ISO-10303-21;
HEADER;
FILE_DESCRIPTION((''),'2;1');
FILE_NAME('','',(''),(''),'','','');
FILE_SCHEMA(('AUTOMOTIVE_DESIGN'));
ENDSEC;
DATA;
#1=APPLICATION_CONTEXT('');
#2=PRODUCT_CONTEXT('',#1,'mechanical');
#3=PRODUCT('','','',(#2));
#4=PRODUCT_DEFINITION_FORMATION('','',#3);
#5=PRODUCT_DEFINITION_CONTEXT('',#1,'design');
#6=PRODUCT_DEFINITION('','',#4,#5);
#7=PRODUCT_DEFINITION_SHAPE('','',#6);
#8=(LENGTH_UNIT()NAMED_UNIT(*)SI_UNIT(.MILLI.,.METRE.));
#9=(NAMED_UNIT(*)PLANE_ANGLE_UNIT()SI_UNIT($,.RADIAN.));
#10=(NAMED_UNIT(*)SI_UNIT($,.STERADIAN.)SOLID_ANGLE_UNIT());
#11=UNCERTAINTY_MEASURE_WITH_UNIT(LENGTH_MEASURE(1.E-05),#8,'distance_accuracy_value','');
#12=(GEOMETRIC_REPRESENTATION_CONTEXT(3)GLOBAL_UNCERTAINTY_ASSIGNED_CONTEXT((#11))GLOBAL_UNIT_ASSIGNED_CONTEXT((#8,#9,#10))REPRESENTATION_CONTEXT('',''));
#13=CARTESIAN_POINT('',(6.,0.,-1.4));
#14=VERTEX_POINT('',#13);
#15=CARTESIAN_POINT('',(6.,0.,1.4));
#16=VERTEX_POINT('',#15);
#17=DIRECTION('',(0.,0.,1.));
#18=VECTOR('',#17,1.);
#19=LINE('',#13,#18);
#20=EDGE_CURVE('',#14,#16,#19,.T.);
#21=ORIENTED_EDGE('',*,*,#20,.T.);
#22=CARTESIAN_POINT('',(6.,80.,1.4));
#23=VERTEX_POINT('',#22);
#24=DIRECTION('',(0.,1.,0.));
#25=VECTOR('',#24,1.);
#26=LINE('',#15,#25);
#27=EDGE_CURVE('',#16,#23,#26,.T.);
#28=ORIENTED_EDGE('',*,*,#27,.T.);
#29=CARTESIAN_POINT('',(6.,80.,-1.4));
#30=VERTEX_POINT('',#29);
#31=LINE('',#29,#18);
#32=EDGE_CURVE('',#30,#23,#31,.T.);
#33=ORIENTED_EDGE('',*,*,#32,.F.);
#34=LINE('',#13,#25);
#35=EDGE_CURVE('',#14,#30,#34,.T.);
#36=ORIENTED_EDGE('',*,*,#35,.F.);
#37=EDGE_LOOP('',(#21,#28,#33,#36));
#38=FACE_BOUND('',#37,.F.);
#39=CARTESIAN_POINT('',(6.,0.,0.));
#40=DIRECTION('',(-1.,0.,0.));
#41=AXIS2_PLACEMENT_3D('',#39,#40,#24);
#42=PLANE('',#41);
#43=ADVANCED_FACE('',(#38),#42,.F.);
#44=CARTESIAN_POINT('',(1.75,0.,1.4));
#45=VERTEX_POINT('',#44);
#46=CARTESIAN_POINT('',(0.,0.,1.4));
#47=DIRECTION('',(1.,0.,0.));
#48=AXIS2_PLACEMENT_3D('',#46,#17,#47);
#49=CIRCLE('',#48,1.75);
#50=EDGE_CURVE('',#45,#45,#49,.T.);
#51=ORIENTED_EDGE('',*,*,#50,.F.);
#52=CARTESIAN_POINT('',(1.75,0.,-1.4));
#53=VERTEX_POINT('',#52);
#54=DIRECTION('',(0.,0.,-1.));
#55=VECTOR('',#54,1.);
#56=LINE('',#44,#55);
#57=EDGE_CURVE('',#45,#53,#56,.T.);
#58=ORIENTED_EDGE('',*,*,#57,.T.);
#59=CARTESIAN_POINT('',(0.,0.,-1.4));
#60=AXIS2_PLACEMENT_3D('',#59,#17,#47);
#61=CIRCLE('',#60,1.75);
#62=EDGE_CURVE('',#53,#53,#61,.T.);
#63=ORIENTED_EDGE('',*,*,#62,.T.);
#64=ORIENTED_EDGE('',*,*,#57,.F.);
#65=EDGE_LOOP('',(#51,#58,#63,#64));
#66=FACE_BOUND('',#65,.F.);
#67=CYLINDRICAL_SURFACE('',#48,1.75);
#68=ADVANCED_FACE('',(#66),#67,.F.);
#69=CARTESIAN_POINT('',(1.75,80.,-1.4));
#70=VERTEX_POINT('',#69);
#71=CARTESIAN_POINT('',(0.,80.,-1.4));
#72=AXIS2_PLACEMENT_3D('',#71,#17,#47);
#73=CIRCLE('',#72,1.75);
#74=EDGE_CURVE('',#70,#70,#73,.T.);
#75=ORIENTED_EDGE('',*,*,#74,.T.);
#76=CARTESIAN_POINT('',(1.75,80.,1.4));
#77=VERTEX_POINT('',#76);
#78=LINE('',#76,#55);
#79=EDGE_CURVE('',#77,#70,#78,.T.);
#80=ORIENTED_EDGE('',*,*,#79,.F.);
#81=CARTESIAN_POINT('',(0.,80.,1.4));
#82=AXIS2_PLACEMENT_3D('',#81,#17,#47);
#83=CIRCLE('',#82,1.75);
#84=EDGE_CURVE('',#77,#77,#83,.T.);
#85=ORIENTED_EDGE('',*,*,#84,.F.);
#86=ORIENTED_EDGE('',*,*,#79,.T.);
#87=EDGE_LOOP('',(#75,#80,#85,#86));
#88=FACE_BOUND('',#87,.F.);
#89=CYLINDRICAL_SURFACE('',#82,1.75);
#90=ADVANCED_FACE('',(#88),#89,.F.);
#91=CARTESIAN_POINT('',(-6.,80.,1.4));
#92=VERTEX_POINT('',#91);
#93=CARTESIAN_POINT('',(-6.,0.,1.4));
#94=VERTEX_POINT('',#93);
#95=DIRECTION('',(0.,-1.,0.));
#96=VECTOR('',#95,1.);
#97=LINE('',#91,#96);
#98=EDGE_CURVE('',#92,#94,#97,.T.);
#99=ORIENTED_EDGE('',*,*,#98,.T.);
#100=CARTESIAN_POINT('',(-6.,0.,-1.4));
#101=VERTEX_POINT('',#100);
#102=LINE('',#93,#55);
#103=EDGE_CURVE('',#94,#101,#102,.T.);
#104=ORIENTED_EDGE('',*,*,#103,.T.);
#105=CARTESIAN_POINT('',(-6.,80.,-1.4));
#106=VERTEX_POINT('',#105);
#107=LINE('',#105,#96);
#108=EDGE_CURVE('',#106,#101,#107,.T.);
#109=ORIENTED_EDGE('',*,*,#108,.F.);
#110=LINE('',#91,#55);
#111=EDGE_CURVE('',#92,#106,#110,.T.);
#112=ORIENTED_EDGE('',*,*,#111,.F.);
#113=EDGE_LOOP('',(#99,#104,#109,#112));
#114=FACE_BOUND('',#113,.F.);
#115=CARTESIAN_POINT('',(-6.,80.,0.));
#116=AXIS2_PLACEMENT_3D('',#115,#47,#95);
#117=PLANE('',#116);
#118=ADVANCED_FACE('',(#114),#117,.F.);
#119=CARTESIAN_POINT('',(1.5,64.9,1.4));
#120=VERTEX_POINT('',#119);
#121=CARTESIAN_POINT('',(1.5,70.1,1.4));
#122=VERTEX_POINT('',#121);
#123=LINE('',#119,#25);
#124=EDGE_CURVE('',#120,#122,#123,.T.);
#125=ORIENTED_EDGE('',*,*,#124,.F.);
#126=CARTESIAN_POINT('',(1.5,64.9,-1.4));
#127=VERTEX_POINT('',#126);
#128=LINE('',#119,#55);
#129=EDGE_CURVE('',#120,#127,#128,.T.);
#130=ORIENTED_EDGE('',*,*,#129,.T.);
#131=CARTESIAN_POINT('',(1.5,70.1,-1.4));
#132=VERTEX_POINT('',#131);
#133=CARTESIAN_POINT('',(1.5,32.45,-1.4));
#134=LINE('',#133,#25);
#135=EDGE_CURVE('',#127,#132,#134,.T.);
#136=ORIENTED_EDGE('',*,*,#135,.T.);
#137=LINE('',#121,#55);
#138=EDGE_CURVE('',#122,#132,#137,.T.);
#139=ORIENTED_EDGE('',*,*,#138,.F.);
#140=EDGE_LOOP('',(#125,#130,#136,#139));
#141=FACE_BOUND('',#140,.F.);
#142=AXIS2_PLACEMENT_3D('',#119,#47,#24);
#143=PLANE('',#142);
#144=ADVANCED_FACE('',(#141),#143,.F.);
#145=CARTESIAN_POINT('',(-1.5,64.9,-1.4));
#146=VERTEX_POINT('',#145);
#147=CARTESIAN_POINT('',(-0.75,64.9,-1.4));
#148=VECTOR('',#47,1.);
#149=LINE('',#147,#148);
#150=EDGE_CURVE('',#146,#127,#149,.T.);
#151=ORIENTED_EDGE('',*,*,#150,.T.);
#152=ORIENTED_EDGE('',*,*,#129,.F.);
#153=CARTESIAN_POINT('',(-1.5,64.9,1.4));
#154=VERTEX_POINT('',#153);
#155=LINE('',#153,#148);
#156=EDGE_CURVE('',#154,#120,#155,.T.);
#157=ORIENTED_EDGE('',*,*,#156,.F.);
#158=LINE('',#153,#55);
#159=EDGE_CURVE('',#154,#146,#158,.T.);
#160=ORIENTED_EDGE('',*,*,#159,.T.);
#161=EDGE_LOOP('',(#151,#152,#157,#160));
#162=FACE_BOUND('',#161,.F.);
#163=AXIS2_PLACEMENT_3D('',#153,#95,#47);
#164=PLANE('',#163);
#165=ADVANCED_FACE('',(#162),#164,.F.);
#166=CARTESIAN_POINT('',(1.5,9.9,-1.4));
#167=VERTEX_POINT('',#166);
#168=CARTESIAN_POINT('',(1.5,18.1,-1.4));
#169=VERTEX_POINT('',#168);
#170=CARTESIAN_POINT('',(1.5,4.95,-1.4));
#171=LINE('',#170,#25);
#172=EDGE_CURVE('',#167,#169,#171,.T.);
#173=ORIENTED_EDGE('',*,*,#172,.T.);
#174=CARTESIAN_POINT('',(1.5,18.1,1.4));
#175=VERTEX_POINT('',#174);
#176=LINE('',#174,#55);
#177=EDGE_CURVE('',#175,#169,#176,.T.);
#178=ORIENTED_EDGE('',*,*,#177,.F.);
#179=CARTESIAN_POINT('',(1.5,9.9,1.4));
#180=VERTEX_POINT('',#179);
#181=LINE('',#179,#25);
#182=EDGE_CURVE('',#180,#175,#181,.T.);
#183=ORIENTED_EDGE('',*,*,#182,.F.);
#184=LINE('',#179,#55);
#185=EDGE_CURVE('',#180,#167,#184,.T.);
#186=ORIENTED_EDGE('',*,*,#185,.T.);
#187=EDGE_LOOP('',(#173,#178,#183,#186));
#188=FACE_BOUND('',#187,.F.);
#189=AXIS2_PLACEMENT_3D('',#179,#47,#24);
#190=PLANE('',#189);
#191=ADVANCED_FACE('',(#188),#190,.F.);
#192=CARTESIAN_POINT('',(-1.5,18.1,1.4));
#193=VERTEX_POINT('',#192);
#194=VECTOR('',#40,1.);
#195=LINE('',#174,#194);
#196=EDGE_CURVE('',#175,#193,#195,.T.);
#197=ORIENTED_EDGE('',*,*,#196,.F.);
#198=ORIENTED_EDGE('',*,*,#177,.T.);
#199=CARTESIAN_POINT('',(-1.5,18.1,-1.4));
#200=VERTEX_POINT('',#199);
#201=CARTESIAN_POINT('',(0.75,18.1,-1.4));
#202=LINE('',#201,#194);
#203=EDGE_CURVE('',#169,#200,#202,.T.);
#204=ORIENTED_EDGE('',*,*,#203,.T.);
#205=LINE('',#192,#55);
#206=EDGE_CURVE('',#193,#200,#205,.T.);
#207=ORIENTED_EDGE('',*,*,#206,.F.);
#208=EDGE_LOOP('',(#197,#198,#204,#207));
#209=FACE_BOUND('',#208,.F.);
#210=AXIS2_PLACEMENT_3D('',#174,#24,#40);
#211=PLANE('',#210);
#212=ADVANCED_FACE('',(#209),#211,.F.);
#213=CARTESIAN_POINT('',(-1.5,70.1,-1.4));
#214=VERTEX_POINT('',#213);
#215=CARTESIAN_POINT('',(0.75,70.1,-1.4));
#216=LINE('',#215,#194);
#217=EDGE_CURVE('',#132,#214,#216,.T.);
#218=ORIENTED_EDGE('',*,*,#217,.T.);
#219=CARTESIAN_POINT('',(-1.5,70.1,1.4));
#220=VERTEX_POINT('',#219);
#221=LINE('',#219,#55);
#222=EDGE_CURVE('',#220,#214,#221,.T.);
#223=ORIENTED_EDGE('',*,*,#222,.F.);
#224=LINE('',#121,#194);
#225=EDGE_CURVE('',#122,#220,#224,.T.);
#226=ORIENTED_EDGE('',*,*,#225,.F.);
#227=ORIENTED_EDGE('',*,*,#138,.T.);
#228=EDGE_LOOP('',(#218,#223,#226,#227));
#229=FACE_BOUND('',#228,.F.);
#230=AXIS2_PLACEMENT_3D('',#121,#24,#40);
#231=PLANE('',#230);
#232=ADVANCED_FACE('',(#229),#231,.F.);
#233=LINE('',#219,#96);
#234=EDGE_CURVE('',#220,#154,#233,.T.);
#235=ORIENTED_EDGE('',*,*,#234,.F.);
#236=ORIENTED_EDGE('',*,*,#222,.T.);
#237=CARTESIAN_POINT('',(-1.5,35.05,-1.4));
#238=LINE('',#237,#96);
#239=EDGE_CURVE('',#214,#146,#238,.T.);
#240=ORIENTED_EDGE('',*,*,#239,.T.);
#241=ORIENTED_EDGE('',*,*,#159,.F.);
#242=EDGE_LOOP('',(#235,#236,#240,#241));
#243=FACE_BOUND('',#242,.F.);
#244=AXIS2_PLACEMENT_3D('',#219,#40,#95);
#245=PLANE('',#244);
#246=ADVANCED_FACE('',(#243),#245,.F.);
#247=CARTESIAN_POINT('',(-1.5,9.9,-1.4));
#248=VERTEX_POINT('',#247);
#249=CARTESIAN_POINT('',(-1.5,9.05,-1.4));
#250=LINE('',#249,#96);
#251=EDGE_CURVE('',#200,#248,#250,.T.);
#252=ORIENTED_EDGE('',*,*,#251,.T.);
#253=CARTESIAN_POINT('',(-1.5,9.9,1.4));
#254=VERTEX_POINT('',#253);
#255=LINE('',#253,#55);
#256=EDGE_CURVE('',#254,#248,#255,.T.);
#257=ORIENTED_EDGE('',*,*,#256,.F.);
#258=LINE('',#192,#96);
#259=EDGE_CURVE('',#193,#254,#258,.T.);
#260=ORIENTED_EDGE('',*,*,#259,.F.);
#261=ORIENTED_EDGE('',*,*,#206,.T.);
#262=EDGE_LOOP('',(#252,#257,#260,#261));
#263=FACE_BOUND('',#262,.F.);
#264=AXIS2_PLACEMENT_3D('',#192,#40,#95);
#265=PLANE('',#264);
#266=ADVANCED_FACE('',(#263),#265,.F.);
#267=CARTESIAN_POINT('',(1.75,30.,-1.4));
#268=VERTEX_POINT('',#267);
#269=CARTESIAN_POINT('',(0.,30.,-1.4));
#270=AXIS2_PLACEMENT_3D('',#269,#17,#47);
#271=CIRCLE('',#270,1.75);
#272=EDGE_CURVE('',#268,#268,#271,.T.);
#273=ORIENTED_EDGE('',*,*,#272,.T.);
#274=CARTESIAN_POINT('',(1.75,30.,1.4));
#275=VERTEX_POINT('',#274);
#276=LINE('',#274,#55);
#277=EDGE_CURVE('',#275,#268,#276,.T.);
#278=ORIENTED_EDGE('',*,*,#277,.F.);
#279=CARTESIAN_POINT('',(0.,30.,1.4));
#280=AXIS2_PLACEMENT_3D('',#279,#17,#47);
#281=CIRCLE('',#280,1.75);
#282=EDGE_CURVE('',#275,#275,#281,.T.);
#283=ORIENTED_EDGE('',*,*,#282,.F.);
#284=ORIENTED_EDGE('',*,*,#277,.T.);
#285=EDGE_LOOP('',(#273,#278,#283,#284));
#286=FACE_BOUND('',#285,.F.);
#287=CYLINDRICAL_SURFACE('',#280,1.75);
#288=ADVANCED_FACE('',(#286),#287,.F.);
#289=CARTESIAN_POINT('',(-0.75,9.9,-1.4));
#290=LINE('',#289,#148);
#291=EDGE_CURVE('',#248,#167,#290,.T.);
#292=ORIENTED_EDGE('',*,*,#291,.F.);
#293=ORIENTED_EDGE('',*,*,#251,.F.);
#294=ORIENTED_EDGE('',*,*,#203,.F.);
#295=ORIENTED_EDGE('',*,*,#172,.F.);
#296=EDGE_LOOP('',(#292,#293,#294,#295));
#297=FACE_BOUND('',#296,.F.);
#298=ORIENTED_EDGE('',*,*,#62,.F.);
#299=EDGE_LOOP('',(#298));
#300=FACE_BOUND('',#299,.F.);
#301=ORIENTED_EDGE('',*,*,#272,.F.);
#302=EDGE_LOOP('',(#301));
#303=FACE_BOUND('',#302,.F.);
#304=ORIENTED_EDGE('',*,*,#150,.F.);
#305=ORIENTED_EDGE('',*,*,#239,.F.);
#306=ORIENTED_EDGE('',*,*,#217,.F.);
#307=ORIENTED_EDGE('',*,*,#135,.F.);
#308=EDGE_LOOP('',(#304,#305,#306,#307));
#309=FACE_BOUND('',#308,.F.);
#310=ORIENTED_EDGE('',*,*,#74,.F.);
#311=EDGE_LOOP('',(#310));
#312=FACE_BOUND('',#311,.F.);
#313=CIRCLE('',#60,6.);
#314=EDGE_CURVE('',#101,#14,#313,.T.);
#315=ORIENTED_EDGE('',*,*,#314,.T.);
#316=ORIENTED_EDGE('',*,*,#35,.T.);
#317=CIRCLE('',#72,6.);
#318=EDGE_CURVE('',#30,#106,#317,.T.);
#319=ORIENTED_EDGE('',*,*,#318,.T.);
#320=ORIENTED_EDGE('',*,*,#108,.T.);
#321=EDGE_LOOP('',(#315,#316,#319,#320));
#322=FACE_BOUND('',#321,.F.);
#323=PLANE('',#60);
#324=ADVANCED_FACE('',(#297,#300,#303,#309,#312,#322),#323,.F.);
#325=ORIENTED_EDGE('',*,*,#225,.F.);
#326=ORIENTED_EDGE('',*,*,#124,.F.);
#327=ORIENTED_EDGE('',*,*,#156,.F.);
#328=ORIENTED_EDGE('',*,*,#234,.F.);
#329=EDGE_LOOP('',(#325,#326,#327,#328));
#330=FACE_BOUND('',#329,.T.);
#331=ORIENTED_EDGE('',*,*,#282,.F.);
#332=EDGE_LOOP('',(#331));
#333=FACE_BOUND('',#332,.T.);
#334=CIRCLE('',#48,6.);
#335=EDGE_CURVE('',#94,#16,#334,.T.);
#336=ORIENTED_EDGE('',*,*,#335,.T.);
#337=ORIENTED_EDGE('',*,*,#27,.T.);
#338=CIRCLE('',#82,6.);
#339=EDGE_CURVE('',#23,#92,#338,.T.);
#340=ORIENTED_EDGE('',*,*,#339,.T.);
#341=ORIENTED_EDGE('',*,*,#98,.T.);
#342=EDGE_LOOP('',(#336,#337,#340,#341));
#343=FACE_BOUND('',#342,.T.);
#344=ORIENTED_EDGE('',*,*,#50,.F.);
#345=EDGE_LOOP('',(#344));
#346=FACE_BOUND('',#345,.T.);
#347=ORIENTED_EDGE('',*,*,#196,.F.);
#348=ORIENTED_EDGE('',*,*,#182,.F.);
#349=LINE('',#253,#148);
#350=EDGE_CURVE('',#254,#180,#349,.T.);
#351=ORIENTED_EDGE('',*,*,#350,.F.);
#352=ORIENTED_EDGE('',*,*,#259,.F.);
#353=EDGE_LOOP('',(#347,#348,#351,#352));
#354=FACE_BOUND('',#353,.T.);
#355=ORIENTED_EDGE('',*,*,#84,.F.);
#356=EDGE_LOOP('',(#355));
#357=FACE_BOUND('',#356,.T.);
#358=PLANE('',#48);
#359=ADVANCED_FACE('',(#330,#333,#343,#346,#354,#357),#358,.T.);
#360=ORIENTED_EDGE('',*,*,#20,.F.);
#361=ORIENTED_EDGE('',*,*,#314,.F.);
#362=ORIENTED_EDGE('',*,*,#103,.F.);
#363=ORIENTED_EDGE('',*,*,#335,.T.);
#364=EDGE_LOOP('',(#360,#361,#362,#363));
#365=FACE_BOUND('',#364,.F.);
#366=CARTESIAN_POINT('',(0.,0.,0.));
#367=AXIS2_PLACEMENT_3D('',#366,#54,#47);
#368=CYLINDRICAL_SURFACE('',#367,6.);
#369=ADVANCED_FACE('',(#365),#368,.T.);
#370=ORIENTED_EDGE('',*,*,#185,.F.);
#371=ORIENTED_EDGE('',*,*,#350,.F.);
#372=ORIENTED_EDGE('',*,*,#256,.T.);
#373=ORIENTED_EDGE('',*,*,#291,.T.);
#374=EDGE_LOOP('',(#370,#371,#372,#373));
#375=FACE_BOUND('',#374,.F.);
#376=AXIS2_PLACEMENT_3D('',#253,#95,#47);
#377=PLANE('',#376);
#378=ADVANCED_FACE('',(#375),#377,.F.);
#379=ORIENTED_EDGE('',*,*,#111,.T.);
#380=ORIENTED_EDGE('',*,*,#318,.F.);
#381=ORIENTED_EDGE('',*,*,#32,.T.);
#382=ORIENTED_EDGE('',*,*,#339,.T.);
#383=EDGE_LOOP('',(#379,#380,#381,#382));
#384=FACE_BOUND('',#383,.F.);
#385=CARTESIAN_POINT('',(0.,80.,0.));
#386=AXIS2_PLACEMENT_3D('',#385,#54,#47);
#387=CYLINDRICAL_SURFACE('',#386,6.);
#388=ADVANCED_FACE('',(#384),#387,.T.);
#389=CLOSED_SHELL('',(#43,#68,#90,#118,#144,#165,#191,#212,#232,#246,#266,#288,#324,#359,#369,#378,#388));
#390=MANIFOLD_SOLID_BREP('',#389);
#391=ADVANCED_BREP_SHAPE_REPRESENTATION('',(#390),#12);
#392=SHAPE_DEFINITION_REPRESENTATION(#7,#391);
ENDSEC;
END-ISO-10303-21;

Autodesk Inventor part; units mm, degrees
ref_plane "YZ Plane" through (0, 0, 0) normal (1, 0, 0) x (0, 1, 0)
ref_plane "XZ Plane" through (0, 0, 0) normal (0, 1, 0) x (-1, 0, 0)
ref_plane "XY Plane" through (0, 0, 0) normal (0, 0, 1) x (1, 0, 0)
sketch "Sketch1" plane through (0, 0, 0) normal (0, 0, 1) x (1, 0, 0)
  circle A0 centre (0, 0) radius 6
  line L0 (0, 0) -> (0, 80) construction
  line L1 (6, 0) -> (6, 80)
  line L2 (-6, 80) -> (-6, 0)
  arc A1 (-6, 0) -> (6, 0) centre (0, 0) ccw
  arc A2 (6, 80) -> (-6, 80) centre (0, 80) ccw
  point P0 (0, 40)
  dimension "d0" = 12
  dimension "d1" = 12
  dimension "d2" = 80
extrude "Extrusion1" add sketch "Sketch1" along normal mid plane 2.8
sketch "Sketch2" plane through (0, 0, 1.4) normal (0, 0, 1) x (1, 0, 0)
  arc A0 (6, 80) -> (-6, 80) centre (0, 80) ccw construction
  arc A1 (-6, 0) -> (6, 0) centre (0, 0) ccw construction
  circle A2 centre (0, 0) radius 1.75
  circle A3 centre (0, 80) radius 1.75
  line L0 (-1.5, 64.9) -> (1.5, 64.9)
  line L1 (1.5, 64.9) -> (1.5, 70.1)
  line L2 (1.5, 70.1) -> (-1.5, 70.1)
  line L3 (-1.5, 70.1) -> (-1.5, 64.9)
  circle A4 centre (0, 30) radius 1.75
  line L4 (-1.5, 9.9) -> (1.5, 9.9)
  line L5 (1.5, 9.9) -> (1.5, 18.1)
  line L6 (1.5, 18.1) -> (-1.5, 18.1)
  line L7 (-1.5, 18.1) -> (-1.5, 9.9)
  point P0 (0, 9.9)
  point P1 (0, 64.9)
  point P2 (1.5, 14)
  point P3 (1.5, 67.5)
  dimension "d8" = 3.5
  dimension "d9" = 3.5
  dimension "d12" = 3
  dimension "d13" = 8.2
  dimension "d16" = 5.2
  dimension "d18" = 14
  dimension "d19" = 30
  dimension "d20" = 12.5
extrude "Extrusion2" cut sketch "Sketch2" against normal through all
